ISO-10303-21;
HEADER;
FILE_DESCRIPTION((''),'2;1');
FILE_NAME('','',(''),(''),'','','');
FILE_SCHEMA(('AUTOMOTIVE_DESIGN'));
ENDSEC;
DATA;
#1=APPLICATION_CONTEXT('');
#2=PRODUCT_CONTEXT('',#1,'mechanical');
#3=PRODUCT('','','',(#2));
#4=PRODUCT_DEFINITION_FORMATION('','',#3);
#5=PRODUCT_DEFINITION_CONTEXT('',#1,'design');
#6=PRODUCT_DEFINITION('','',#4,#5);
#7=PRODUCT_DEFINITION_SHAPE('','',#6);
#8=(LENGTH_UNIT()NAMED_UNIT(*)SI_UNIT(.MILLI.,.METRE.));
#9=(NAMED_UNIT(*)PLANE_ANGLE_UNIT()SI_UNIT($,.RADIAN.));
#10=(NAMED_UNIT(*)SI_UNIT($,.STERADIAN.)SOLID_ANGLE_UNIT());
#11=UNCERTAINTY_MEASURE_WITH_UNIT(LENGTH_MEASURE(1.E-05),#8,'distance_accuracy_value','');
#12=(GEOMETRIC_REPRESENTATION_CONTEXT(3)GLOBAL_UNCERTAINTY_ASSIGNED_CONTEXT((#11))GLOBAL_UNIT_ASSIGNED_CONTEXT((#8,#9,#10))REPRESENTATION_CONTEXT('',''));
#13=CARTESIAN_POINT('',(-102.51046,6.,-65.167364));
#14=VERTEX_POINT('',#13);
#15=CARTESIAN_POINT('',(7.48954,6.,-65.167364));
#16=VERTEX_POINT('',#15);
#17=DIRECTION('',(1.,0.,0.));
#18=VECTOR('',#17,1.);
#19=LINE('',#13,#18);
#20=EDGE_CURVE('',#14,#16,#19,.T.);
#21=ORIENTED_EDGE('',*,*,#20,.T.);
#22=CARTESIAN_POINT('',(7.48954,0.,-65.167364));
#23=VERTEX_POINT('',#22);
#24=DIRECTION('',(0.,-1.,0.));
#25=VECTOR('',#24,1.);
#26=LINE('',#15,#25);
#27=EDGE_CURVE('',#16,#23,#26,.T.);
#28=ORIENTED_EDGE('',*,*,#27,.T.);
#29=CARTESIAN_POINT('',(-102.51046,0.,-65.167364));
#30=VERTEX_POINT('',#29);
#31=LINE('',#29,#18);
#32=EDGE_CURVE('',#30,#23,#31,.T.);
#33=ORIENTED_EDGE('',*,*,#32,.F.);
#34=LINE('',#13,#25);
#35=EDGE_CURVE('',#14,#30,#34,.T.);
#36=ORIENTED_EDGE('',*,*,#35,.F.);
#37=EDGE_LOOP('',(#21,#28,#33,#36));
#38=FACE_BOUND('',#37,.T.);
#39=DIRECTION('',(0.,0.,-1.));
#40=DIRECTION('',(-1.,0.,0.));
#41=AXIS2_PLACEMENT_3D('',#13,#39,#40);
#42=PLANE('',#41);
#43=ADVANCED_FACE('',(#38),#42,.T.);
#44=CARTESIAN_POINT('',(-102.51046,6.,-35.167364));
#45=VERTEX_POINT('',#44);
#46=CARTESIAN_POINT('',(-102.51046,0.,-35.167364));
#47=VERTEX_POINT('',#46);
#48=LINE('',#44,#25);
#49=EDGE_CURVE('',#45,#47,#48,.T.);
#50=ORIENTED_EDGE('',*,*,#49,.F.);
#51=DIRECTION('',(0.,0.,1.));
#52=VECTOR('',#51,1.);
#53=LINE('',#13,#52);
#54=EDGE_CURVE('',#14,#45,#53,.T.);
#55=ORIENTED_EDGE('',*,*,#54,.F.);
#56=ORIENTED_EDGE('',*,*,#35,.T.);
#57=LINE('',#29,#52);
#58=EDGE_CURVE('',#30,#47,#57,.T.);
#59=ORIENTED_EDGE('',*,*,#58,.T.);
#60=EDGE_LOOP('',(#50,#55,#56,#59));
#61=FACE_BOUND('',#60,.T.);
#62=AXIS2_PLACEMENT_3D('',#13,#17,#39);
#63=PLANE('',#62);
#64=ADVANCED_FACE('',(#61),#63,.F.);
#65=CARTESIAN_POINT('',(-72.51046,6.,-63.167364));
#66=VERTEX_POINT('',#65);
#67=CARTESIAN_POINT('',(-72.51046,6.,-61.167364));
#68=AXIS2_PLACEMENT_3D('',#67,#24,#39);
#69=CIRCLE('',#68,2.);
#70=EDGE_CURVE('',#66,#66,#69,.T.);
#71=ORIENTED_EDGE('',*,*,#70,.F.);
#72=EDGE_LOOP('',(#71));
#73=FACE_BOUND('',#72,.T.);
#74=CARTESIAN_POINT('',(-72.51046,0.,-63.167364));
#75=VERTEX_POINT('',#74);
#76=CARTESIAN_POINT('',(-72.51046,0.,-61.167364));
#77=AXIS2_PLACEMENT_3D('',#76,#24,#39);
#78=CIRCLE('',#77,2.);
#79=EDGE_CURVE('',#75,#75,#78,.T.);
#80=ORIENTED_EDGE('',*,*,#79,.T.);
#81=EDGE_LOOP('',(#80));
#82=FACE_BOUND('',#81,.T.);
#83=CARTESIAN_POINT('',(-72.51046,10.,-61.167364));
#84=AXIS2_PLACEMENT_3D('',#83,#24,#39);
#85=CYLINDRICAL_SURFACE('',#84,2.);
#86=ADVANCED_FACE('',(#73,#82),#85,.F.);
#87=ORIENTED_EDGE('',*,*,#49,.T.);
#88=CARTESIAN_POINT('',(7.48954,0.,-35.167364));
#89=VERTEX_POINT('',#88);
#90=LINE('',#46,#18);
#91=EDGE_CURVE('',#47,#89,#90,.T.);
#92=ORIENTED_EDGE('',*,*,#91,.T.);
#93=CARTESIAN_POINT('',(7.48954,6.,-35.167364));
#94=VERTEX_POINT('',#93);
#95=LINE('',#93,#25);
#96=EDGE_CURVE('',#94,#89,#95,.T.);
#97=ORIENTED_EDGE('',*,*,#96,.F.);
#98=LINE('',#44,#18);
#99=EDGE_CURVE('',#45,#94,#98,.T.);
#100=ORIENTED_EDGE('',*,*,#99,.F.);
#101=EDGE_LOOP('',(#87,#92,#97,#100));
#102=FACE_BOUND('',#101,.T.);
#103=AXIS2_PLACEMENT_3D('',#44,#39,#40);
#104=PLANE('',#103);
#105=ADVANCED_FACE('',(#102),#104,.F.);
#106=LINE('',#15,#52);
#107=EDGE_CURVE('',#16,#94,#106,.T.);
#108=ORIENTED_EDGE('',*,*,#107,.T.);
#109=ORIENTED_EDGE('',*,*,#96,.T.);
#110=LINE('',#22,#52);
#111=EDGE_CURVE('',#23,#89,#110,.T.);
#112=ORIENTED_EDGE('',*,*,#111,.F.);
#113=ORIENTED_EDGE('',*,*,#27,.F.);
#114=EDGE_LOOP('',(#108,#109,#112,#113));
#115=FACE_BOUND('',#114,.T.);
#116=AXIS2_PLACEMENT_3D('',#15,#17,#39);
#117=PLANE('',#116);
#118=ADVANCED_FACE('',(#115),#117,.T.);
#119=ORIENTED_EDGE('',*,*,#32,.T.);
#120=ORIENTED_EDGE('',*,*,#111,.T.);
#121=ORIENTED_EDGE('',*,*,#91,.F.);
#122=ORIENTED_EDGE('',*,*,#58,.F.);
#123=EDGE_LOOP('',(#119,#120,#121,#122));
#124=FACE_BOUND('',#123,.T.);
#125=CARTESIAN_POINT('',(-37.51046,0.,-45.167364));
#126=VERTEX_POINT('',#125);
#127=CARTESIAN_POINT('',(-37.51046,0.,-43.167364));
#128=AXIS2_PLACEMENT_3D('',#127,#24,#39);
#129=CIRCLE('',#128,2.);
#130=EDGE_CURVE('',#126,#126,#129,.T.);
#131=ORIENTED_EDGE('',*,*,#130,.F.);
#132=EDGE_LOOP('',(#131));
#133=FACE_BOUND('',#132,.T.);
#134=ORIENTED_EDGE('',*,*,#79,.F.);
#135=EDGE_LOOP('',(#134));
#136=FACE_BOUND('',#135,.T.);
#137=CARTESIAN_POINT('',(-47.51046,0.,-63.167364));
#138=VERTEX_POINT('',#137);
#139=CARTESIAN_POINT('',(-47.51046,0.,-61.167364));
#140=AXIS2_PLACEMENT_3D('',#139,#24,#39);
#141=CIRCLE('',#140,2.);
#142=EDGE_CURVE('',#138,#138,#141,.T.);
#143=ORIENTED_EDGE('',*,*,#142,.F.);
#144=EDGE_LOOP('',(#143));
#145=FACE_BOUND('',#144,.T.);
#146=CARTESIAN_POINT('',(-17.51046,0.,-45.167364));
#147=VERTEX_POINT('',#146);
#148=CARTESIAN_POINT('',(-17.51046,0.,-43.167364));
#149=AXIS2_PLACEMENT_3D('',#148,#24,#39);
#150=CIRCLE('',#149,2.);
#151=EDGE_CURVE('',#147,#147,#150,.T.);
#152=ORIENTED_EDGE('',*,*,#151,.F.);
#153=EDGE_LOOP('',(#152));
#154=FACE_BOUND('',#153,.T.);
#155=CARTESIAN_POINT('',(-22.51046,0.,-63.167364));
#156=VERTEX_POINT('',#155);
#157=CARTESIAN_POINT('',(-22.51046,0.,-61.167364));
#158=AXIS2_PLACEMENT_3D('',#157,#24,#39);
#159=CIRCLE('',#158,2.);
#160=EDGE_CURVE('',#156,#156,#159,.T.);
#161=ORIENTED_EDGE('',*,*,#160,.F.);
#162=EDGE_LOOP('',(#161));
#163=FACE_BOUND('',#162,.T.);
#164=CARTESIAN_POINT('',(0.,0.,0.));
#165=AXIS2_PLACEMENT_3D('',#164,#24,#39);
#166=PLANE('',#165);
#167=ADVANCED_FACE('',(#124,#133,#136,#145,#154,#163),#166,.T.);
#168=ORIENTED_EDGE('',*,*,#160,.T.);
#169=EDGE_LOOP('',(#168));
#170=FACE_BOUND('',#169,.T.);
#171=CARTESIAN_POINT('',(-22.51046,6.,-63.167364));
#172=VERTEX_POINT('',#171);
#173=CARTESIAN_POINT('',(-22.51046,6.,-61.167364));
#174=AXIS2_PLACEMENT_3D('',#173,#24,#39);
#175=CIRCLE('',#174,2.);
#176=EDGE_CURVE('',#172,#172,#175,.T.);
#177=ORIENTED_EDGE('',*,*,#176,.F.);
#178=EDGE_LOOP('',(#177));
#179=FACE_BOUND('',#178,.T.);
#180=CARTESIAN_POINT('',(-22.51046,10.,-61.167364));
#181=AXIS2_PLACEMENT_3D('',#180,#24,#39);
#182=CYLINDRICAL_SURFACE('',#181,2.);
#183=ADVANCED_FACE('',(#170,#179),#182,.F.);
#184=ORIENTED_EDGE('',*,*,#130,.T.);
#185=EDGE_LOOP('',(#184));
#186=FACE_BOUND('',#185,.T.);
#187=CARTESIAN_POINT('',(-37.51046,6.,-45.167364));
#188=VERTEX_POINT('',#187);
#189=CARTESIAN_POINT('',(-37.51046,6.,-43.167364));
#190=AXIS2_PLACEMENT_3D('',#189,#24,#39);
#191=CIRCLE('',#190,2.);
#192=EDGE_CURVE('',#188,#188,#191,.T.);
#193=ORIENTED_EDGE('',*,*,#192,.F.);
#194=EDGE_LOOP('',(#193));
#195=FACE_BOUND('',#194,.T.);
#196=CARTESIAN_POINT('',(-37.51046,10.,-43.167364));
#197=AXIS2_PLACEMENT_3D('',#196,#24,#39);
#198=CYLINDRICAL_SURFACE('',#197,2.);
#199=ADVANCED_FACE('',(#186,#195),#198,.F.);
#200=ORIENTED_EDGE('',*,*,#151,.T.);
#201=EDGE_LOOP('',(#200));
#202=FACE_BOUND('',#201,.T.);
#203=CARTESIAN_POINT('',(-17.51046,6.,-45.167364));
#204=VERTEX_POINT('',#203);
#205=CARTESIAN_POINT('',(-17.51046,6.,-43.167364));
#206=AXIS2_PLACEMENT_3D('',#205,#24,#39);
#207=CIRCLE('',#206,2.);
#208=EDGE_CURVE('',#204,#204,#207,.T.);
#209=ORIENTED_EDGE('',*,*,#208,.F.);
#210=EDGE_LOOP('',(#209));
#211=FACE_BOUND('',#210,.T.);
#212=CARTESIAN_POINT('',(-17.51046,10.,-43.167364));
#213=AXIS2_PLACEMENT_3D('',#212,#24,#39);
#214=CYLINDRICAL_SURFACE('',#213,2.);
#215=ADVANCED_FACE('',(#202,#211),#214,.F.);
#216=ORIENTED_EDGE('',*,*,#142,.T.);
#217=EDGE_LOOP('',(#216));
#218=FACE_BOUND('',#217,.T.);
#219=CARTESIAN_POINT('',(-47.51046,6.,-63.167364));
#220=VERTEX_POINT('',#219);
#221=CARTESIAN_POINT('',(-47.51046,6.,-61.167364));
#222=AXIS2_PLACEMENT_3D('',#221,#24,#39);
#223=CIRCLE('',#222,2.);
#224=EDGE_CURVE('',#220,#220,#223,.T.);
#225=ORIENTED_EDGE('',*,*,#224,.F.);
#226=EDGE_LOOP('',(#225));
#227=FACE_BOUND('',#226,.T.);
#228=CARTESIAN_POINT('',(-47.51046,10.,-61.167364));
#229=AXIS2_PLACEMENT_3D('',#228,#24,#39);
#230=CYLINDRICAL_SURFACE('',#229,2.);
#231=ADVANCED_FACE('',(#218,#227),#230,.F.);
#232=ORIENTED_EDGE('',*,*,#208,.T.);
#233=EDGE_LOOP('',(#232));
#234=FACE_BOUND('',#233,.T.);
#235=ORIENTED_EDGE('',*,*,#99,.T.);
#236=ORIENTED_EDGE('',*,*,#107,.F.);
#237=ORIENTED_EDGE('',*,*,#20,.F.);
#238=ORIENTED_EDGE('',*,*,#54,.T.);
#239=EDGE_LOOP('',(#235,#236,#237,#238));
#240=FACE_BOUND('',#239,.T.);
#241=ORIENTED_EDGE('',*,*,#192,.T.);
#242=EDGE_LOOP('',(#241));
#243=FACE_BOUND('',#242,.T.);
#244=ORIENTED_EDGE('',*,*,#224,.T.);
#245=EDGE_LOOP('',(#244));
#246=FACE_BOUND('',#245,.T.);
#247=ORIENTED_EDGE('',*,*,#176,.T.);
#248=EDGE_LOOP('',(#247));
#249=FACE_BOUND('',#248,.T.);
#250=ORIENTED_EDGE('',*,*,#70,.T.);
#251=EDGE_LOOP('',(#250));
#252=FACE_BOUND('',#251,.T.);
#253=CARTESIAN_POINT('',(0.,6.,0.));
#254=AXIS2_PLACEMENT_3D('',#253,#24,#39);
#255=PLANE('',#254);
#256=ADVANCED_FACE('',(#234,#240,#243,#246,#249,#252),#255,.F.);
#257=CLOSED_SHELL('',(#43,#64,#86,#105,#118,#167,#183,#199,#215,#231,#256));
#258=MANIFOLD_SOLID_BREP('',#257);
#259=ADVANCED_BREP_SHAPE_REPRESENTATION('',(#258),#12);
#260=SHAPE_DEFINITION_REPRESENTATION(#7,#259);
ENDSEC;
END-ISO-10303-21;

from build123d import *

# Parameters (mm, degrees)
SKETCH1_W           = 110
SKETCH1_H           = 30
BOSS_EXTRUDE1_DEPTH = 6
SKETCH2_R           = 2
CUT_EXTRUDE1_DEPTH  = 10


with BuildPart() as part:
    # Sketch1 → Boss-Extrude1 (new body)
    with BuildSketch(Plane(origin=(0, 0, 0), x_dir=(1, 0, 0), z_dir=(0, 1, 0))):
        with Locations((-47.510460251, 50.167364017)):
            Rectangle(SKETCH1_W, SKETCH1_H)
    extrude(amount=BOSS_EXTRUDE1_DEPTH)

    # Sketch2 → Cut-Extrude1 (cut)
    with BuildSketch(Plane.XZ):
        with Locations((-72.510460251, -61.167364017)):
            Circle(SKETCH2_R)
        with Locations((-47.510460251, -61.167364017)):
            Circle(SKETCH2_R)
        with Locations((-22.510460251, -61.167364017)):
            Circle(SKETCH2_R)
        with Locations((-17.510460251, -43.167364017)):
            Circle(SKETCH2_R)
        with Locations((-37.510460251, -43.167364017)):
            Circle(SKETCH2_R)
    extrude(amount=-CUT_EXTRUDE1_DEPTH, mode=Mode.SUBTRACT)


solid = part.part
